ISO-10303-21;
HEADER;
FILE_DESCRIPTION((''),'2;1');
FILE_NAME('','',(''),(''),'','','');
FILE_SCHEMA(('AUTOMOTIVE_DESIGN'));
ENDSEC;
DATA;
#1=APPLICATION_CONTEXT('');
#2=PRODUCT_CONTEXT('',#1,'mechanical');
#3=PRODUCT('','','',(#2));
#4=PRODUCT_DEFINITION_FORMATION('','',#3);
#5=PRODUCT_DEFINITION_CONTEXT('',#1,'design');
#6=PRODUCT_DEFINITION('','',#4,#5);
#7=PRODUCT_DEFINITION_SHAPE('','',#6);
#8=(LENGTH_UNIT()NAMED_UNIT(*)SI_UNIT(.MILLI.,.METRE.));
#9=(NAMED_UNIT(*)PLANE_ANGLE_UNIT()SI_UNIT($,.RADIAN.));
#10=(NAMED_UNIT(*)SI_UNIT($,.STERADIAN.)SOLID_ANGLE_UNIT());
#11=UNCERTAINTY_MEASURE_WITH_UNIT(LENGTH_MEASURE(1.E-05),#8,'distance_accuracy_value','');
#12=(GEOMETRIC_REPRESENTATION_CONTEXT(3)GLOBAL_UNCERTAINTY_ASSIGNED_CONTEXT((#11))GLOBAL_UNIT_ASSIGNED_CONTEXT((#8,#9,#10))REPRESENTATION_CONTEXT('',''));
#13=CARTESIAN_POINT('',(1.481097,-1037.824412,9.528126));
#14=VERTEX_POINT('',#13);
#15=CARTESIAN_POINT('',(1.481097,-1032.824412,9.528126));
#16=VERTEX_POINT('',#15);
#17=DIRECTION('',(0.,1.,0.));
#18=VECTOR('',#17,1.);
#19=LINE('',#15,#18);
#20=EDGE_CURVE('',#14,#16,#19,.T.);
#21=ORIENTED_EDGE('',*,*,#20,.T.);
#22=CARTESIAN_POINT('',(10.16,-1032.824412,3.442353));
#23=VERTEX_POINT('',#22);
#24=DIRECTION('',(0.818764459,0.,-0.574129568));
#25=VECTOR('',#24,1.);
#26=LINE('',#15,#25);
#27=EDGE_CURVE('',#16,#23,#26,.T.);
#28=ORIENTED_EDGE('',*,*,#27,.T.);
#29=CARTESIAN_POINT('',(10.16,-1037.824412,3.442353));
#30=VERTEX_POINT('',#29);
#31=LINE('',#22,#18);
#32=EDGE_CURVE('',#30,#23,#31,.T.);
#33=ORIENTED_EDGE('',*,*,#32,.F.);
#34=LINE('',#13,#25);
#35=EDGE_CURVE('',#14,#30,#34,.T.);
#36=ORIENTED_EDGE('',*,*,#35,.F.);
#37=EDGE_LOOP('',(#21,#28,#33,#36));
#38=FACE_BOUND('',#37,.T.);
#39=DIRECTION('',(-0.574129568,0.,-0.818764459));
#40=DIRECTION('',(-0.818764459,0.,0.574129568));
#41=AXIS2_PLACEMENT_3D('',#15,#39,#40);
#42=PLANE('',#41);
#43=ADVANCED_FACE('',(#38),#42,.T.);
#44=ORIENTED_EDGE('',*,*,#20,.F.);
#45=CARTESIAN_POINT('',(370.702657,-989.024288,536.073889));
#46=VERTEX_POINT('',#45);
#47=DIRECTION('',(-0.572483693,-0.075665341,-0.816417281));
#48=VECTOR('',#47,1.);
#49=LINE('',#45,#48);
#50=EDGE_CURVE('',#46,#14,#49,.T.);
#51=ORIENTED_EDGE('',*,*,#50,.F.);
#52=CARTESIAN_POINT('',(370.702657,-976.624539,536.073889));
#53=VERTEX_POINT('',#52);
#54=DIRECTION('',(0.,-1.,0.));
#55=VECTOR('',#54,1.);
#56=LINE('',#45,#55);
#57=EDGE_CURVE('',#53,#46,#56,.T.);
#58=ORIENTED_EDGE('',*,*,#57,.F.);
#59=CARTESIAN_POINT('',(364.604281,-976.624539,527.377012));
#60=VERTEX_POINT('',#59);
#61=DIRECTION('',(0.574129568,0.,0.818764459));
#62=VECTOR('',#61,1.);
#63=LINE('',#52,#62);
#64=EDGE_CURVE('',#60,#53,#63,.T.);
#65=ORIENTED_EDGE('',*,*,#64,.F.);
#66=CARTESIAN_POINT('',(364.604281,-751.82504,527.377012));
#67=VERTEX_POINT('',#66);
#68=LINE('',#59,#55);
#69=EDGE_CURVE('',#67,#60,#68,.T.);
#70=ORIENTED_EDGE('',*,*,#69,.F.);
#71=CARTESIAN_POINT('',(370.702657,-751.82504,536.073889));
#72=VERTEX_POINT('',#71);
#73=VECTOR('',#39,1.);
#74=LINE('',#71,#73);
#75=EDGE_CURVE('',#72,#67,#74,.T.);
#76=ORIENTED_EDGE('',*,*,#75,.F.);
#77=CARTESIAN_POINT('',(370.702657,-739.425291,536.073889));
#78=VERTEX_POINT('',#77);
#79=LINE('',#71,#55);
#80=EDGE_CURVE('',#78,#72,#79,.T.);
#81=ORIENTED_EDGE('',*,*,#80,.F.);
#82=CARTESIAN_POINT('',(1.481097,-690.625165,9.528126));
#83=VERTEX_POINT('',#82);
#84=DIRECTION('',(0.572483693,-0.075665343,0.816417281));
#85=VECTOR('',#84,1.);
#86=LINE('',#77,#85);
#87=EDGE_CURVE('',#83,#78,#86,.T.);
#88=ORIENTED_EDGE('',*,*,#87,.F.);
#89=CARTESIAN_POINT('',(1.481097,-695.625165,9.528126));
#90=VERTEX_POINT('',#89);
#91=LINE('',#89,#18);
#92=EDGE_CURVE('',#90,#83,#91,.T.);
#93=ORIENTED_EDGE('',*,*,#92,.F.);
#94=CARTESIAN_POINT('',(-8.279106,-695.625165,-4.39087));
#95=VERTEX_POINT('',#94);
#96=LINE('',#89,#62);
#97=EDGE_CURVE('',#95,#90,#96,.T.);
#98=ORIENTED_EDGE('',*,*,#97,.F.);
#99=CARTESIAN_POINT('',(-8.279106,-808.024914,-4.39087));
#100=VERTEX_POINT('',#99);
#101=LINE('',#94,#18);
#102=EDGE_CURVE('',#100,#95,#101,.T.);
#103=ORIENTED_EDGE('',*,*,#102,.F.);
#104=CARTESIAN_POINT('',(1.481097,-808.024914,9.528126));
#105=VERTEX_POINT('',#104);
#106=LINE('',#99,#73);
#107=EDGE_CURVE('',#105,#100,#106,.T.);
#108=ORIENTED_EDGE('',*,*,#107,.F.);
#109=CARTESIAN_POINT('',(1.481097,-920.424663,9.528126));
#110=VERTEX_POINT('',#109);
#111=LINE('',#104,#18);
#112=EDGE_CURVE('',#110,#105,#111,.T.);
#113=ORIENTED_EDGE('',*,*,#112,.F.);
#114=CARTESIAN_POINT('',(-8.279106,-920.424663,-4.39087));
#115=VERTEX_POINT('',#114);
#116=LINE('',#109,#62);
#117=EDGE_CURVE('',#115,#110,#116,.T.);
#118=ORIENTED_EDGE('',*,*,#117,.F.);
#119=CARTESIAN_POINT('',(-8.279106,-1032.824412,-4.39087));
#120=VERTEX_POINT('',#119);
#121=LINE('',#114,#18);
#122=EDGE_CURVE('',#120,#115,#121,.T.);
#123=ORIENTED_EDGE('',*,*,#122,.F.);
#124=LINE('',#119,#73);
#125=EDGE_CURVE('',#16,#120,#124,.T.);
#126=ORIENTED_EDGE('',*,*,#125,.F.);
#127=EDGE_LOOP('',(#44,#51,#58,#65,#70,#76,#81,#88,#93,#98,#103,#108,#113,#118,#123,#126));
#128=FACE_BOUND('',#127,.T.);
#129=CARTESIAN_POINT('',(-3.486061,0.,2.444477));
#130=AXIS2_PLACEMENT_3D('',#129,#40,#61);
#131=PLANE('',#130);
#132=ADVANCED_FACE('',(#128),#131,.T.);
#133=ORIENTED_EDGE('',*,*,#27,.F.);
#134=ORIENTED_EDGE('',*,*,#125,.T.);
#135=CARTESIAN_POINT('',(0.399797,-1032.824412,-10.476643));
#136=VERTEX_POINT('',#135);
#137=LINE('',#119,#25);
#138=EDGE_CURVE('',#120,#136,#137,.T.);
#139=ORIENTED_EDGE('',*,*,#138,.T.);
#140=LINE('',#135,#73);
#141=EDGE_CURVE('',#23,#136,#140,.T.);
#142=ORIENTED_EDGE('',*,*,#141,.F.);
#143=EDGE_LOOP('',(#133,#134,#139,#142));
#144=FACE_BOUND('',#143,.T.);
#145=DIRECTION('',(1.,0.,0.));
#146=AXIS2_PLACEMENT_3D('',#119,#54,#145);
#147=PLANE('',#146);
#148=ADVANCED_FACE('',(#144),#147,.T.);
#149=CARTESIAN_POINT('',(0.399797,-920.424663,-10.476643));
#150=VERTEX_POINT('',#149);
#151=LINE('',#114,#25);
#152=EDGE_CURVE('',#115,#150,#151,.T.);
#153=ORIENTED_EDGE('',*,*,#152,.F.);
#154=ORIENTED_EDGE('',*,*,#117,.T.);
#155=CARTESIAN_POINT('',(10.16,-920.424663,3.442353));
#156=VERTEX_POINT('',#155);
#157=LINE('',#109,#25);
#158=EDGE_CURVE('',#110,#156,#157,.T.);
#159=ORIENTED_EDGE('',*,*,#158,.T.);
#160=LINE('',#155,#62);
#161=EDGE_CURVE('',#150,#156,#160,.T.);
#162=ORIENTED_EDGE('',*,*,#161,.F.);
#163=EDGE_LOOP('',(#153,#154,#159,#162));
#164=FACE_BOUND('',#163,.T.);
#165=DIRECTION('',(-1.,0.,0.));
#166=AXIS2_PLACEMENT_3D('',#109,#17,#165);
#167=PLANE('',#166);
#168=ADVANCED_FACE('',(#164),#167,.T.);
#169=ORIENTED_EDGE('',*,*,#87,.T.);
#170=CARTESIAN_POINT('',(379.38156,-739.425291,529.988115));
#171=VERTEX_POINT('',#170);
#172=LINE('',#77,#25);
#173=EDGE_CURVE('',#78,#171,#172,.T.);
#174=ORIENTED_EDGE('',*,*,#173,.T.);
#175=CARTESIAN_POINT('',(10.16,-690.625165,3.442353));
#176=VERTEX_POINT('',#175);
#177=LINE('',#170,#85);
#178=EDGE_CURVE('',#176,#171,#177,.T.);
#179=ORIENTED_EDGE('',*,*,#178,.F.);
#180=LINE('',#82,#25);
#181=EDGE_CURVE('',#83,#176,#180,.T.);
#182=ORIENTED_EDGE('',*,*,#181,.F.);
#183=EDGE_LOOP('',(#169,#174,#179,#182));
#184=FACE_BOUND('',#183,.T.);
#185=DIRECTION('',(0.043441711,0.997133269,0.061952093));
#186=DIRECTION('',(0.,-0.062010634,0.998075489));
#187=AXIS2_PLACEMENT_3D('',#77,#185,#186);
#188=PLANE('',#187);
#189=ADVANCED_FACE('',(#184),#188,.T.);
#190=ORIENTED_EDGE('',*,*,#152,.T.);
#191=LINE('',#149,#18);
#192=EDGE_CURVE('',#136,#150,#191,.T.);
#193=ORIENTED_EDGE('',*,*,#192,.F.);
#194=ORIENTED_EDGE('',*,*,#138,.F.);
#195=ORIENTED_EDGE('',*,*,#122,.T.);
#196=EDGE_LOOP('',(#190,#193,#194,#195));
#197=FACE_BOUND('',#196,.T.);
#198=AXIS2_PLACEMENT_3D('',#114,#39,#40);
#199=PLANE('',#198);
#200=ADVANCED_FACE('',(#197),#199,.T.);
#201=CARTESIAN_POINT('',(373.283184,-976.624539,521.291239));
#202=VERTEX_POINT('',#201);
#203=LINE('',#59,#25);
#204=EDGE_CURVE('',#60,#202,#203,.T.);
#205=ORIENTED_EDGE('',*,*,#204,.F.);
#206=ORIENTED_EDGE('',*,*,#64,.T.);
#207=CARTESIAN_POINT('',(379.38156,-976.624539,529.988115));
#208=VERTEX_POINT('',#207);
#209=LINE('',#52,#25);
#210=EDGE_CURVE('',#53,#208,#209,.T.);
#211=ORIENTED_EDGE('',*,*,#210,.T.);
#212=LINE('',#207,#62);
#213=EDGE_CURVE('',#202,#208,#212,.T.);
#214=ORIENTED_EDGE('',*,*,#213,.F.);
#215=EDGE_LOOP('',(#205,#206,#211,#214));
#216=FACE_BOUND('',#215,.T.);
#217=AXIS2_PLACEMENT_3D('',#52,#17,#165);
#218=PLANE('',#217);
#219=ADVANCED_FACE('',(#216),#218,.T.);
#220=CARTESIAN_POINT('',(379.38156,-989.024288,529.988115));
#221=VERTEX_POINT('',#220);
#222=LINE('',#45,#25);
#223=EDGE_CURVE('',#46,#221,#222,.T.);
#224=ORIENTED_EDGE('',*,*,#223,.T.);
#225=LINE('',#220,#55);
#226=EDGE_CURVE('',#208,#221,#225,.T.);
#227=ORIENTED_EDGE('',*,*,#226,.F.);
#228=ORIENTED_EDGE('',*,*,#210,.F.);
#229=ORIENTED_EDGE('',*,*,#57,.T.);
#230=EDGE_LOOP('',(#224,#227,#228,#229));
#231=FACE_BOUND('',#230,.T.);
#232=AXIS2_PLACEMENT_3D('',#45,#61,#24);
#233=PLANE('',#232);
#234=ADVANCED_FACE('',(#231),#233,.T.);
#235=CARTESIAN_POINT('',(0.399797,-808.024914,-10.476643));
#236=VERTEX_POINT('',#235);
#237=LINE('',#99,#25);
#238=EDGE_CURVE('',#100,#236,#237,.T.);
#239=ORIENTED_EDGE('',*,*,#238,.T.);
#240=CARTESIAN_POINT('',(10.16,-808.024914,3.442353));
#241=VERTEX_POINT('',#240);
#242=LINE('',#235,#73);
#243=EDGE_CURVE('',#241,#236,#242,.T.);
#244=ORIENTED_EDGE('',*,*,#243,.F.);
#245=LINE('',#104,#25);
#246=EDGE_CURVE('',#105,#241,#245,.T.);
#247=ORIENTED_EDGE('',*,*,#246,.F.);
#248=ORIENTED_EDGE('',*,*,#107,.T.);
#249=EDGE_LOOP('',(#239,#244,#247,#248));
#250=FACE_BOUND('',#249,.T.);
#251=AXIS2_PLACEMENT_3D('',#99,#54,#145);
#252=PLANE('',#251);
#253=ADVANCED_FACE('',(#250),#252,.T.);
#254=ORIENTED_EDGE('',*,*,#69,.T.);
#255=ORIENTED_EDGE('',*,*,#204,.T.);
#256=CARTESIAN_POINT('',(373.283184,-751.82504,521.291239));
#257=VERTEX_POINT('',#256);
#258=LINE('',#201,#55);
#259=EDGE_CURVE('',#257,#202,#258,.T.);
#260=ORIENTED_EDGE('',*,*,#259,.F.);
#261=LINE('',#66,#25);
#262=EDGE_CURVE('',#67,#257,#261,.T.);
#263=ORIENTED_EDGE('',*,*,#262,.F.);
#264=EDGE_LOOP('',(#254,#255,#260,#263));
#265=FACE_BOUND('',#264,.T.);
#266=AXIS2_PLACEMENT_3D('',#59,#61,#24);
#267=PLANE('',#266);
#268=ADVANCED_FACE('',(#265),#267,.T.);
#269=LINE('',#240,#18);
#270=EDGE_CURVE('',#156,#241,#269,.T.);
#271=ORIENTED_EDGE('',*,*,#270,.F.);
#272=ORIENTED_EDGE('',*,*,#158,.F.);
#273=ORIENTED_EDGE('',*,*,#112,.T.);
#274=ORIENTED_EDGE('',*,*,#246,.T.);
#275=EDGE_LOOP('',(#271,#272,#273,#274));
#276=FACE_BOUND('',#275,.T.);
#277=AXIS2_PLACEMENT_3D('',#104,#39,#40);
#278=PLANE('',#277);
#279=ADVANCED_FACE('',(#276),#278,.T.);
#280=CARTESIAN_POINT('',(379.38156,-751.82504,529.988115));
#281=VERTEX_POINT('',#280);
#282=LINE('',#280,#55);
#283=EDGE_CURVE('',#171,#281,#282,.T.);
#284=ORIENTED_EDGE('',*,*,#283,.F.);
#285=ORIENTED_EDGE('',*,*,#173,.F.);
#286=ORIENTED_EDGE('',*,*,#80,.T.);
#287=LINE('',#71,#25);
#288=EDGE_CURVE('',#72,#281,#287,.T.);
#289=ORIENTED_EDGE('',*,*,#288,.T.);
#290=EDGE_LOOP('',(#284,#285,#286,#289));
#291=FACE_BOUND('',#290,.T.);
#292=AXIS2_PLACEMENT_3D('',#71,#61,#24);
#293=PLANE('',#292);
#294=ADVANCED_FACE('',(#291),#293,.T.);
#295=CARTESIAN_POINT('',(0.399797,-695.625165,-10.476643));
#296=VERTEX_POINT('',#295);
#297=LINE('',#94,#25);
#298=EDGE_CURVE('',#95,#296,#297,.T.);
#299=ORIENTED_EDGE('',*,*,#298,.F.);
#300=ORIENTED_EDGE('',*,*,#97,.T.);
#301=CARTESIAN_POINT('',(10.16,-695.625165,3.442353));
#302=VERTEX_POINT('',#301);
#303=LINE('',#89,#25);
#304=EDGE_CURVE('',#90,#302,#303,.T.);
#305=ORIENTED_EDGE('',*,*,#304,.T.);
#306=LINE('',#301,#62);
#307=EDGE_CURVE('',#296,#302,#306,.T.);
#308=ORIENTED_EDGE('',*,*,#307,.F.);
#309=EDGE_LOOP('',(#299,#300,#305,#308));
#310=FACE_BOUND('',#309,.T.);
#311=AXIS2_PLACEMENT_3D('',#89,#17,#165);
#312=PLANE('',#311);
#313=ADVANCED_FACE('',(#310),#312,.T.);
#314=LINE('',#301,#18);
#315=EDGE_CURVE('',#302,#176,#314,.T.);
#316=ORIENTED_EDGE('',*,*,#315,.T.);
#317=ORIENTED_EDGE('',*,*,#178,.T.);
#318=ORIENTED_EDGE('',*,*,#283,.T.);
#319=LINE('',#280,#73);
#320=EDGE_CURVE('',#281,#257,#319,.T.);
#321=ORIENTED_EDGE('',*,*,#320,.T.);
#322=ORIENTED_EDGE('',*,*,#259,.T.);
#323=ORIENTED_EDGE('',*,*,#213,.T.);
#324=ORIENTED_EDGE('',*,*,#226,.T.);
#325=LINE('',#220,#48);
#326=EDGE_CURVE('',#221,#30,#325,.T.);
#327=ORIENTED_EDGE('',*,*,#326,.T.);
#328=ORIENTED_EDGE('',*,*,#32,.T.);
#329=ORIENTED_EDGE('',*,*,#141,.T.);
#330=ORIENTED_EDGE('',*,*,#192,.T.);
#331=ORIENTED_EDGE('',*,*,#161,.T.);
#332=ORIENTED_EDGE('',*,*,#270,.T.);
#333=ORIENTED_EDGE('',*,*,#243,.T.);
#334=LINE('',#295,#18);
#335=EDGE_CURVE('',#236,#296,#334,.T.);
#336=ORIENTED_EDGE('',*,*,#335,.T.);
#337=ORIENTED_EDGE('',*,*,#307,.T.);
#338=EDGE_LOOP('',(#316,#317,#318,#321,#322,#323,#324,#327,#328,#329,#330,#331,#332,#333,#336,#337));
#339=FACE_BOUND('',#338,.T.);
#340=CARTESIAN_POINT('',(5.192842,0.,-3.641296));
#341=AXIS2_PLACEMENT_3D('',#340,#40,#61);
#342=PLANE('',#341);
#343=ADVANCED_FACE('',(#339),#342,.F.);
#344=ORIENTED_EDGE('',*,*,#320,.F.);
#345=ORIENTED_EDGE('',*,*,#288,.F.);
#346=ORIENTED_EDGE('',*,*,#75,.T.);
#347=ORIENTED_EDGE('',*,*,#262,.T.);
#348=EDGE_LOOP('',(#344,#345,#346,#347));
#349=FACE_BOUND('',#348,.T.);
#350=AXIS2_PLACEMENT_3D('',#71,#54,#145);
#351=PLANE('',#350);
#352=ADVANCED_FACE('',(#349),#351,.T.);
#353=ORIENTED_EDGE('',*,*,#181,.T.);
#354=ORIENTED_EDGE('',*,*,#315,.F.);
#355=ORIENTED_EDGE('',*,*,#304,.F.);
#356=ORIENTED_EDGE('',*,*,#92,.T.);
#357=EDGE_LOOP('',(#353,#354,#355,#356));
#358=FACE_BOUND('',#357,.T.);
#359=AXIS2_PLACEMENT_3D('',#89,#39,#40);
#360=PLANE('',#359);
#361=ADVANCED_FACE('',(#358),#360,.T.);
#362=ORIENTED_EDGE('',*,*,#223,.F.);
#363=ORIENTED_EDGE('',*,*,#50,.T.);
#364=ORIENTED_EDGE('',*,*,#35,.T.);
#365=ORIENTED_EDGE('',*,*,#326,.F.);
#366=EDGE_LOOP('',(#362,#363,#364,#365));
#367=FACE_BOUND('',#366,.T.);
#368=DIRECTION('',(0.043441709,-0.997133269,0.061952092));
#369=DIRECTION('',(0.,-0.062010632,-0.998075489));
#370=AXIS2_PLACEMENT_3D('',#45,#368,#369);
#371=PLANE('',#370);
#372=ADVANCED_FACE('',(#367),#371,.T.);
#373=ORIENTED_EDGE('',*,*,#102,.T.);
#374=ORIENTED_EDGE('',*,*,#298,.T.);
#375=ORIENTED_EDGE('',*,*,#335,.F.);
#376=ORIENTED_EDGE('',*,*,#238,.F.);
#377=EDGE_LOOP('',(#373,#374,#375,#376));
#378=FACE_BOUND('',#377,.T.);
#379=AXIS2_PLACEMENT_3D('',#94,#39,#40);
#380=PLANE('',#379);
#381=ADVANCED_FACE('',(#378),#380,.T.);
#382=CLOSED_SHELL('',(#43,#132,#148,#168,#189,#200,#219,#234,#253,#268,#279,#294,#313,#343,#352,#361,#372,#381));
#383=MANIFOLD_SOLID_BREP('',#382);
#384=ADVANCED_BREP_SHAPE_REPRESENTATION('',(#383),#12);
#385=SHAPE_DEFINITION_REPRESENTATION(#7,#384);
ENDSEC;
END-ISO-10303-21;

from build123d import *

# Parameters (mm, degrees)
BOSS_EXTRUDE4_DEPTH = 10.6


with BuildPart() as part:
    # Sketch10 → Boss-Extrude4 (new body)
    with BuildSketch(Plane(origin=(5.192841936, 0, -3.641296426), x_dir=(-0.5741295680747442, 0, -0.8187644588416791), z_dir=(0.8187644588416791, 0, -0.5741295680747442))):
        Polygon((-651.749603703, -739.425290644), (-8.651632558, -690.625165342), (-8.651632558, -695.625165342), (8.348367442, -695.625165342), (8.348367442, -808.024914342), (-8.651632558, -808.024914342), (-8.651632558, -920.424663342), (8.348367442, -920.424663342), (8.348367442, -1032.824412342), (-8.651632558, -1032.824412342), (-8.651632558, -1037.824412342), (-651.749603704, -989.024288415), (-651.749603704, -976.624539492), (-641.127651921, -976.624539492), (-641.127651921, -751.825039567), (-651.749603703, -751.825039567), align=None)
    extrude(amount=-BOSS_EXTRUDE4_DEPTH)


solid = part.part
